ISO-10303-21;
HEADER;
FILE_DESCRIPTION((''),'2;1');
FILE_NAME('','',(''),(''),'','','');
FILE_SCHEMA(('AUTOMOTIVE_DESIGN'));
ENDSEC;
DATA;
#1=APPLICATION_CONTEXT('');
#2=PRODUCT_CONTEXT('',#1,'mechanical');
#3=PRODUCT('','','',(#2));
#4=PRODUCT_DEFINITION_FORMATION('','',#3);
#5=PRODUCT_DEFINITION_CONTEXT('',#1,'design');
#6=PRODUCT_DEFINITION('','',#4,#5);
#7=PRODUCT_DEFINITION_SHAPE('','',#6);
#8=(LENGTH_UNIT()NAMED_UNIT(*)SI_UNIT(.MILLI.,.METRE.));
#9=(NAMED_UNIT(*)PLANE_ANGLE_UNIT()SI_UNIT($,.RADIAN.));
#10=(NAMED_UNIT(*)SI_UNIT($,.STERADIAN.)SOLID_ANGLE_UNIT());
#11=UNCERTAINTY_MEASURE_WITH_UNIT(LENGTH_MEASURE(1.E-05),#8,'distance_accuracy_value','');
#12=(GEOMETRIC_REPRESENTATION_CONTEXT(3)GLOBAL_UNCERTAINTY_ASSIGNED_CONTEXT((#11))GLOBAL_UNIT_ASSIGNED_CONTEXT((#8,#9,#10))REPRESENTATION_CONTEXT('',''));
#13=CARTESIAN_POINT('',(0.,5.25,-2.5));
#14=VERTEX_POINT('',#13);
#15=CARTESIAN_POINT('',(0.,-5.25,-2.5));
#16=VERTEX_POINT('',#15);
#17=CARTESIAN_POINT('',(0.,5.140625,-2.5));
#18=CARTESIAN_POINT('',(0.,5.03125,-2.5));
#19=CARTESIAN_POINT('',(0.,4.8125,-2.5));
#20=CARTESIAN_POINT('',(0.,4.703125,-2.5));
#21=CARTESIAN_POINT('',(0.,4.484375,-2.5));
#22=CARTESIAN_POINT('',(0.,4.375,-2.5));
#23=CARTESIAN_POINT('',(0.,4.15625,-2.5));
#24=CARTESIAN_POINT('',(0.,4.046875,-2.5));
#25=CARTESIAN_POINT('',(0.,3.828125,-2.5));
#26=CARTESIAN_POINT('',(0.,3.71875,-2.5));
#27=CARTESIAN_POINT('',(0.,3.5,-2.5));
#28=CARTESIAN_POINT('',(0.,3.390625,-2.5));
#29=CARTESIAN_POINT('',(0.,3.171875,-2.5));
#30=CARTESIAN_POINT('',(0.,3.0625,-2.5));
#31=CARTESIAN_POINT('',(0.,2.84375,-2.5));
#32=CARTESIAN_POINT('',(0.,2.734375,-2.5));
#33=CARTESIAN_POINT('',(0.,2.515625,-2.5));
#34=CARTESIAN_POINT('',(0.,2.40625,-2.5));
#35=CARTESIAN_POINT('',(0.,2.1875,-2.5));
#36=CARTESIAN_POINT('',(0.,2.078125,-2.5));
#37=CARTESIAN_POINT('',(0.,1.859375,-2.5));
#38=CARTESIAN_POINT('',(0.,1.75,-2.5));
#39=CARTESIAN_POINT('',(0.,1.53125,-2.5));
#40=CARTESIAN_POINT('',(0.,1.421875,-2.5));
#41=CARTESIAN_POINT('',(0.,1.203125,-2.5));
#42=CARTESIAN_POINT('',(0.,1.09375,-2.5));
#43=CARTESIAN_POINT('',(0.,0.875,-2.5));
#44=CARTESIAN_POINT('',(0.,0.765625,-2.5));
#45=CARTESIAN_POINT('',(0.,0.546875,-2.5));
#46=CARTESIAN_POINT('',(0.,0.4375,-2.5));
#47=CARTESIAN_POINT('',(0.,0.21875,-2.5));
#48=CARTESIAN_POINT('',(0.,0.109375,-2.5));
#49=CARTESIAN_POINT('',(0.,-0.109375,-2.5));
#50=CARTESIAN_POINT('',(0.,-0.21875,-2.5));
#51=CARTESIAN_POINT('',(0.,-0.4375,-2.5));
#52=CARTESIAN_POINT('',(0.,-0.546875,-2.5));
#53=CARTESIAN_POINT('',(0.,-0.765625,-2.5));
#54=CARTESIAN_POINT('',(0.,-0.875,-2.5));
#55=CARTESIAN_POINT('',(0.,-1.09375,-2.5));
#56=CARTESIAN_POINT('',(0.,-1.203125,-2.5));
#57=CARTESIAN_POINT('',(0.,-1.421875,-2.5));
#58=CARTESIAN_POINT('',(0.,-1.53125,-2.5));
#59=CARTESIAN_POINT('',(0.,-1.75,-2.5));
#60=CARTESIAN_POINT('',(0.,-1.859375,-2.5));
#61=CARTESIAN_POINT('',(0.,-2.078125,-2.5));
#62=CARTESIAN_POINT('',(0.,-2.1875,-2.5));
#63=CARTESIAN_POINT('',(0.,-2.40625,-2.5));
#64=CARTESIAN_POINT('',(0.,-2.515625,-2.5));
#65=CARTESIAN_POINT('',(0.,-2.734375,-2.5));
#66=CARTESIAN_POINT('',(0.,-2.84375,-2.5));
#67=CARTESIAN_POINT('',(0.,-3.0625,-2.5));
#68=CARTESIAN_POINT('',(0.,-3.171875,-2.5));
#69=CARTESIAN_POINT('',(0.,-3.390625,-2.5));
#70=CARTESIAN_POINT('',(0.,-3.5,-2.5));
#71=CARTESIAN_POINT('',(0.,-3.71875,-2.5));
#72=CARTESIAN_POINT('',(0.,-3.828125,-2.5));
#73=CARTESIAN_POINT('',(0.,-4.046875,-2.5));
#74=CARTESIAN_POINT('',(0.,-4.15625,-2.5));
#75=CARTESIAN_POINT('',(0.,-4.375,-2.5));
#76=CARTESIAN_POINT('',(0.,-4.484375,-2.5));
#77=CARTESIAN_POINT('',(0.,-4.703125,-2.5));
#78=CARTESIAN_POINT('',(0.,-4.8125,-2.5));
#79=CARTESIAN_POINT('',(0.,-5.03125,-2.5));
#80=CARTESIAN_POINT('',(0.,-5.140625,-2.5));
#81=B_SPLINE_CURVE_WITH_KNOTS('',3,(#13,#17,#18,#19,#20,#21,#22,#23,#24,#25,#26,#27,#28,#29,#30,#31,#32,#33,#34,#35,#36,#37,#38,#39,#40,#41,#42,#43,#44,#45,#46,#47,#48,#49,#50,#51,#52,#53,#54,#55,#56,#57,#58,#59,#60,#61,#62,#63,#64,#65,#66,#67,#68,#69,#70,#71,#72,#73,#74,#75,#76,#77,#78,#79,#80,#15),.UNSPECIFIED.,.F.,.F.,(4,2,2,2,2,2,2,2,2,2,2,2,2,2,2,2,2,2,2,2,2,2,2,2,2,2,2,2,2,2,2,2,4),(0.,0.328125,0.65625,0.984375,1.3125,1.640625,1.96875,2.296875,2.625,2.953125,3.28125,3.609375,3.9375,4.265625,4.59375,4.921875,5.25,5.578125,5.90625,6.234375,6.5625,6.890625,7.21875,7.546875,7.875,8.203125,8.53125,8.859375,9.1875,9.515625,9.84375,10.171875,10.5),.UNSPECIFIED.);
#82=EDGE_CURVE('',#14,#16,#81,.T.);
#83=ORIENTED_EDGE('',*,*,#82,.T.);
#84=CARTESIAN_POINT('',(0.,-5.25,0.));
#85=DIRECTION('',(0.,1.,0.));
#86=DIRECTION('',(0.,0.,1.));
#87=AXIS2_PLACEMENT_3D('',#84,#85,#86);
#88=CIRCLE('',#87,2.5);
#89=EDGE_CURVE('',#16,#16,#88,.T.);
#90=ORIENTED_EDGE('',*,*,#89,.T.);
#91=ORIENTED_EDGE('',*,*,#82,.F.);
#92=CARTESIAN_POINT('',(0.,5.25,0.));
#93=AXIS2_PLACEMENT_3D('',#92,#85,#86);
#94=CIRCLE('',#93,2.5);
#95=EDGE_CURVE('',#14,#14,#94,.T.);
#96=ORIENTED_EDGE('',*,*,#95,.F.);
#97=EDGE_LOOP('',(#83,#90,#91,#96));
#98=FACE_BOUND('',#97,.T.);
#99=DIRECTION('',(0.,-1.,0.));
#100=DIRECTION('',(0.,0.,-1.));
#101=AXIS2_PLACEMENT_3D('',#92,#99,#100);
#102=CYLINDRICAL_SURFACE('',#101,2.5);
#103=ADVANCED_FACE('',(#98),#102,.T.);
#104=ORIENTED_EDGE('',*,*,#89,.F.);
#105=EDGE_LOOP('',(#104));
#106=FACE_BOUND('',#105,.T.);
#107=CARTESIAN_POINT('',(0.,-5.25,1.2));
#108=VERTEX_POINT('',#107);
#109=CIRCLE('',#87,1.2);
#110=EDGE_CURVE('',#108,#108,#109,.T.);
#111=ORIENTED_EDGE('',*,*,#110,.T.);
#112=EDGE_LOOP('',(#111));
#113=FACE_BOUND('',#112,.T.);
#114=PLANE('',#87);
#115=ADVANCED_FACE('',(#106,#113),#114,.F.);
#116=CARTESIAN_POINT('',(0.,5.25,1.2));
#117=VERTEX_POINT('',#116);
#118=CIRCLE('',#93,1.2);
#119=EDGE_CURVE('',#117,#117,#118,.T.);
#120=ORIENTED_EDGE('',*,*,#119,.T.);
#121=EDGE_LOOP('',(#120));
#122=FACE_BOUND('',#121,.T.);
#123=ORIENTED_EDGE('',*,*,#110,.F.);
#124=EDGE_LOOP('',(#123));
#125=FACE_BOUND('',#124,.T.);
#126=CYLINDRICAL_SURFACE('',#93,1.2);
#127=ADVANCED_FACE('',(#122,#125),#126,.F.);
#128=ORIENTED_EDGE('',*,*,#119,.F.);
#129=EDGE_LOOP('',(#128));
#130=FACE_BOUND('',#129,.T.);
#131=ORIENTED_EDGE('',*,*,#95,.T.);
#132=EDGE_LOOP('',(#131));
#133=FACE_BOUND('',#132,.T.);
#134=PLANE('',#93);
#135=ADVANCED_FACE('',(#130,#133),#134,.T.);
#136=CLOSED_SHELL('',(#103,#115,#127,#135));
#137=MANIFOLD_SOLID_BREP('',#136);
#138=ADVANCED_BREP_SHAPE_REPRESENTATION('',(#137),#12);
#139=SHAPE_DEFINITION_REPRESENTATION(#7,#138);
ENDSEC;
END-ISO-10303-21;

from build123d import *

# Parameters (mm, degrees)
SKETCH1_R            = 2.5
BOSS_EXTRUDE1_DEPTH  = 5.25
M2_CLEARANCE_HOLE1_D = 2.4


with BuildPart() as part:
    # Sketch1 → Boss-Extrude1 (new, symmetric)
    with BuildSketch(Plane(origin=(0, 0, 0), x_dir=(1, 0, 0), z_dir=(0, 1, 0))):
        with Locations(Location((0, 0, 0), (0, 0, 90))):
            Circle(SKETCH1_R)
    extrude(amount=BOSS_EXTRUDE1_DEPTH, both=True)

    # M2 Clearance Hole1 (through all)
    with Locations(Plane(origin=(0, 5.25, 0), x_dir=(1, 0, 0), z_dir=(0, 1, 0))):
        with Locations((0, 0)):
            Hole(M2_CLEARANCE_HOLE1_D / 2)


solid = part.part
